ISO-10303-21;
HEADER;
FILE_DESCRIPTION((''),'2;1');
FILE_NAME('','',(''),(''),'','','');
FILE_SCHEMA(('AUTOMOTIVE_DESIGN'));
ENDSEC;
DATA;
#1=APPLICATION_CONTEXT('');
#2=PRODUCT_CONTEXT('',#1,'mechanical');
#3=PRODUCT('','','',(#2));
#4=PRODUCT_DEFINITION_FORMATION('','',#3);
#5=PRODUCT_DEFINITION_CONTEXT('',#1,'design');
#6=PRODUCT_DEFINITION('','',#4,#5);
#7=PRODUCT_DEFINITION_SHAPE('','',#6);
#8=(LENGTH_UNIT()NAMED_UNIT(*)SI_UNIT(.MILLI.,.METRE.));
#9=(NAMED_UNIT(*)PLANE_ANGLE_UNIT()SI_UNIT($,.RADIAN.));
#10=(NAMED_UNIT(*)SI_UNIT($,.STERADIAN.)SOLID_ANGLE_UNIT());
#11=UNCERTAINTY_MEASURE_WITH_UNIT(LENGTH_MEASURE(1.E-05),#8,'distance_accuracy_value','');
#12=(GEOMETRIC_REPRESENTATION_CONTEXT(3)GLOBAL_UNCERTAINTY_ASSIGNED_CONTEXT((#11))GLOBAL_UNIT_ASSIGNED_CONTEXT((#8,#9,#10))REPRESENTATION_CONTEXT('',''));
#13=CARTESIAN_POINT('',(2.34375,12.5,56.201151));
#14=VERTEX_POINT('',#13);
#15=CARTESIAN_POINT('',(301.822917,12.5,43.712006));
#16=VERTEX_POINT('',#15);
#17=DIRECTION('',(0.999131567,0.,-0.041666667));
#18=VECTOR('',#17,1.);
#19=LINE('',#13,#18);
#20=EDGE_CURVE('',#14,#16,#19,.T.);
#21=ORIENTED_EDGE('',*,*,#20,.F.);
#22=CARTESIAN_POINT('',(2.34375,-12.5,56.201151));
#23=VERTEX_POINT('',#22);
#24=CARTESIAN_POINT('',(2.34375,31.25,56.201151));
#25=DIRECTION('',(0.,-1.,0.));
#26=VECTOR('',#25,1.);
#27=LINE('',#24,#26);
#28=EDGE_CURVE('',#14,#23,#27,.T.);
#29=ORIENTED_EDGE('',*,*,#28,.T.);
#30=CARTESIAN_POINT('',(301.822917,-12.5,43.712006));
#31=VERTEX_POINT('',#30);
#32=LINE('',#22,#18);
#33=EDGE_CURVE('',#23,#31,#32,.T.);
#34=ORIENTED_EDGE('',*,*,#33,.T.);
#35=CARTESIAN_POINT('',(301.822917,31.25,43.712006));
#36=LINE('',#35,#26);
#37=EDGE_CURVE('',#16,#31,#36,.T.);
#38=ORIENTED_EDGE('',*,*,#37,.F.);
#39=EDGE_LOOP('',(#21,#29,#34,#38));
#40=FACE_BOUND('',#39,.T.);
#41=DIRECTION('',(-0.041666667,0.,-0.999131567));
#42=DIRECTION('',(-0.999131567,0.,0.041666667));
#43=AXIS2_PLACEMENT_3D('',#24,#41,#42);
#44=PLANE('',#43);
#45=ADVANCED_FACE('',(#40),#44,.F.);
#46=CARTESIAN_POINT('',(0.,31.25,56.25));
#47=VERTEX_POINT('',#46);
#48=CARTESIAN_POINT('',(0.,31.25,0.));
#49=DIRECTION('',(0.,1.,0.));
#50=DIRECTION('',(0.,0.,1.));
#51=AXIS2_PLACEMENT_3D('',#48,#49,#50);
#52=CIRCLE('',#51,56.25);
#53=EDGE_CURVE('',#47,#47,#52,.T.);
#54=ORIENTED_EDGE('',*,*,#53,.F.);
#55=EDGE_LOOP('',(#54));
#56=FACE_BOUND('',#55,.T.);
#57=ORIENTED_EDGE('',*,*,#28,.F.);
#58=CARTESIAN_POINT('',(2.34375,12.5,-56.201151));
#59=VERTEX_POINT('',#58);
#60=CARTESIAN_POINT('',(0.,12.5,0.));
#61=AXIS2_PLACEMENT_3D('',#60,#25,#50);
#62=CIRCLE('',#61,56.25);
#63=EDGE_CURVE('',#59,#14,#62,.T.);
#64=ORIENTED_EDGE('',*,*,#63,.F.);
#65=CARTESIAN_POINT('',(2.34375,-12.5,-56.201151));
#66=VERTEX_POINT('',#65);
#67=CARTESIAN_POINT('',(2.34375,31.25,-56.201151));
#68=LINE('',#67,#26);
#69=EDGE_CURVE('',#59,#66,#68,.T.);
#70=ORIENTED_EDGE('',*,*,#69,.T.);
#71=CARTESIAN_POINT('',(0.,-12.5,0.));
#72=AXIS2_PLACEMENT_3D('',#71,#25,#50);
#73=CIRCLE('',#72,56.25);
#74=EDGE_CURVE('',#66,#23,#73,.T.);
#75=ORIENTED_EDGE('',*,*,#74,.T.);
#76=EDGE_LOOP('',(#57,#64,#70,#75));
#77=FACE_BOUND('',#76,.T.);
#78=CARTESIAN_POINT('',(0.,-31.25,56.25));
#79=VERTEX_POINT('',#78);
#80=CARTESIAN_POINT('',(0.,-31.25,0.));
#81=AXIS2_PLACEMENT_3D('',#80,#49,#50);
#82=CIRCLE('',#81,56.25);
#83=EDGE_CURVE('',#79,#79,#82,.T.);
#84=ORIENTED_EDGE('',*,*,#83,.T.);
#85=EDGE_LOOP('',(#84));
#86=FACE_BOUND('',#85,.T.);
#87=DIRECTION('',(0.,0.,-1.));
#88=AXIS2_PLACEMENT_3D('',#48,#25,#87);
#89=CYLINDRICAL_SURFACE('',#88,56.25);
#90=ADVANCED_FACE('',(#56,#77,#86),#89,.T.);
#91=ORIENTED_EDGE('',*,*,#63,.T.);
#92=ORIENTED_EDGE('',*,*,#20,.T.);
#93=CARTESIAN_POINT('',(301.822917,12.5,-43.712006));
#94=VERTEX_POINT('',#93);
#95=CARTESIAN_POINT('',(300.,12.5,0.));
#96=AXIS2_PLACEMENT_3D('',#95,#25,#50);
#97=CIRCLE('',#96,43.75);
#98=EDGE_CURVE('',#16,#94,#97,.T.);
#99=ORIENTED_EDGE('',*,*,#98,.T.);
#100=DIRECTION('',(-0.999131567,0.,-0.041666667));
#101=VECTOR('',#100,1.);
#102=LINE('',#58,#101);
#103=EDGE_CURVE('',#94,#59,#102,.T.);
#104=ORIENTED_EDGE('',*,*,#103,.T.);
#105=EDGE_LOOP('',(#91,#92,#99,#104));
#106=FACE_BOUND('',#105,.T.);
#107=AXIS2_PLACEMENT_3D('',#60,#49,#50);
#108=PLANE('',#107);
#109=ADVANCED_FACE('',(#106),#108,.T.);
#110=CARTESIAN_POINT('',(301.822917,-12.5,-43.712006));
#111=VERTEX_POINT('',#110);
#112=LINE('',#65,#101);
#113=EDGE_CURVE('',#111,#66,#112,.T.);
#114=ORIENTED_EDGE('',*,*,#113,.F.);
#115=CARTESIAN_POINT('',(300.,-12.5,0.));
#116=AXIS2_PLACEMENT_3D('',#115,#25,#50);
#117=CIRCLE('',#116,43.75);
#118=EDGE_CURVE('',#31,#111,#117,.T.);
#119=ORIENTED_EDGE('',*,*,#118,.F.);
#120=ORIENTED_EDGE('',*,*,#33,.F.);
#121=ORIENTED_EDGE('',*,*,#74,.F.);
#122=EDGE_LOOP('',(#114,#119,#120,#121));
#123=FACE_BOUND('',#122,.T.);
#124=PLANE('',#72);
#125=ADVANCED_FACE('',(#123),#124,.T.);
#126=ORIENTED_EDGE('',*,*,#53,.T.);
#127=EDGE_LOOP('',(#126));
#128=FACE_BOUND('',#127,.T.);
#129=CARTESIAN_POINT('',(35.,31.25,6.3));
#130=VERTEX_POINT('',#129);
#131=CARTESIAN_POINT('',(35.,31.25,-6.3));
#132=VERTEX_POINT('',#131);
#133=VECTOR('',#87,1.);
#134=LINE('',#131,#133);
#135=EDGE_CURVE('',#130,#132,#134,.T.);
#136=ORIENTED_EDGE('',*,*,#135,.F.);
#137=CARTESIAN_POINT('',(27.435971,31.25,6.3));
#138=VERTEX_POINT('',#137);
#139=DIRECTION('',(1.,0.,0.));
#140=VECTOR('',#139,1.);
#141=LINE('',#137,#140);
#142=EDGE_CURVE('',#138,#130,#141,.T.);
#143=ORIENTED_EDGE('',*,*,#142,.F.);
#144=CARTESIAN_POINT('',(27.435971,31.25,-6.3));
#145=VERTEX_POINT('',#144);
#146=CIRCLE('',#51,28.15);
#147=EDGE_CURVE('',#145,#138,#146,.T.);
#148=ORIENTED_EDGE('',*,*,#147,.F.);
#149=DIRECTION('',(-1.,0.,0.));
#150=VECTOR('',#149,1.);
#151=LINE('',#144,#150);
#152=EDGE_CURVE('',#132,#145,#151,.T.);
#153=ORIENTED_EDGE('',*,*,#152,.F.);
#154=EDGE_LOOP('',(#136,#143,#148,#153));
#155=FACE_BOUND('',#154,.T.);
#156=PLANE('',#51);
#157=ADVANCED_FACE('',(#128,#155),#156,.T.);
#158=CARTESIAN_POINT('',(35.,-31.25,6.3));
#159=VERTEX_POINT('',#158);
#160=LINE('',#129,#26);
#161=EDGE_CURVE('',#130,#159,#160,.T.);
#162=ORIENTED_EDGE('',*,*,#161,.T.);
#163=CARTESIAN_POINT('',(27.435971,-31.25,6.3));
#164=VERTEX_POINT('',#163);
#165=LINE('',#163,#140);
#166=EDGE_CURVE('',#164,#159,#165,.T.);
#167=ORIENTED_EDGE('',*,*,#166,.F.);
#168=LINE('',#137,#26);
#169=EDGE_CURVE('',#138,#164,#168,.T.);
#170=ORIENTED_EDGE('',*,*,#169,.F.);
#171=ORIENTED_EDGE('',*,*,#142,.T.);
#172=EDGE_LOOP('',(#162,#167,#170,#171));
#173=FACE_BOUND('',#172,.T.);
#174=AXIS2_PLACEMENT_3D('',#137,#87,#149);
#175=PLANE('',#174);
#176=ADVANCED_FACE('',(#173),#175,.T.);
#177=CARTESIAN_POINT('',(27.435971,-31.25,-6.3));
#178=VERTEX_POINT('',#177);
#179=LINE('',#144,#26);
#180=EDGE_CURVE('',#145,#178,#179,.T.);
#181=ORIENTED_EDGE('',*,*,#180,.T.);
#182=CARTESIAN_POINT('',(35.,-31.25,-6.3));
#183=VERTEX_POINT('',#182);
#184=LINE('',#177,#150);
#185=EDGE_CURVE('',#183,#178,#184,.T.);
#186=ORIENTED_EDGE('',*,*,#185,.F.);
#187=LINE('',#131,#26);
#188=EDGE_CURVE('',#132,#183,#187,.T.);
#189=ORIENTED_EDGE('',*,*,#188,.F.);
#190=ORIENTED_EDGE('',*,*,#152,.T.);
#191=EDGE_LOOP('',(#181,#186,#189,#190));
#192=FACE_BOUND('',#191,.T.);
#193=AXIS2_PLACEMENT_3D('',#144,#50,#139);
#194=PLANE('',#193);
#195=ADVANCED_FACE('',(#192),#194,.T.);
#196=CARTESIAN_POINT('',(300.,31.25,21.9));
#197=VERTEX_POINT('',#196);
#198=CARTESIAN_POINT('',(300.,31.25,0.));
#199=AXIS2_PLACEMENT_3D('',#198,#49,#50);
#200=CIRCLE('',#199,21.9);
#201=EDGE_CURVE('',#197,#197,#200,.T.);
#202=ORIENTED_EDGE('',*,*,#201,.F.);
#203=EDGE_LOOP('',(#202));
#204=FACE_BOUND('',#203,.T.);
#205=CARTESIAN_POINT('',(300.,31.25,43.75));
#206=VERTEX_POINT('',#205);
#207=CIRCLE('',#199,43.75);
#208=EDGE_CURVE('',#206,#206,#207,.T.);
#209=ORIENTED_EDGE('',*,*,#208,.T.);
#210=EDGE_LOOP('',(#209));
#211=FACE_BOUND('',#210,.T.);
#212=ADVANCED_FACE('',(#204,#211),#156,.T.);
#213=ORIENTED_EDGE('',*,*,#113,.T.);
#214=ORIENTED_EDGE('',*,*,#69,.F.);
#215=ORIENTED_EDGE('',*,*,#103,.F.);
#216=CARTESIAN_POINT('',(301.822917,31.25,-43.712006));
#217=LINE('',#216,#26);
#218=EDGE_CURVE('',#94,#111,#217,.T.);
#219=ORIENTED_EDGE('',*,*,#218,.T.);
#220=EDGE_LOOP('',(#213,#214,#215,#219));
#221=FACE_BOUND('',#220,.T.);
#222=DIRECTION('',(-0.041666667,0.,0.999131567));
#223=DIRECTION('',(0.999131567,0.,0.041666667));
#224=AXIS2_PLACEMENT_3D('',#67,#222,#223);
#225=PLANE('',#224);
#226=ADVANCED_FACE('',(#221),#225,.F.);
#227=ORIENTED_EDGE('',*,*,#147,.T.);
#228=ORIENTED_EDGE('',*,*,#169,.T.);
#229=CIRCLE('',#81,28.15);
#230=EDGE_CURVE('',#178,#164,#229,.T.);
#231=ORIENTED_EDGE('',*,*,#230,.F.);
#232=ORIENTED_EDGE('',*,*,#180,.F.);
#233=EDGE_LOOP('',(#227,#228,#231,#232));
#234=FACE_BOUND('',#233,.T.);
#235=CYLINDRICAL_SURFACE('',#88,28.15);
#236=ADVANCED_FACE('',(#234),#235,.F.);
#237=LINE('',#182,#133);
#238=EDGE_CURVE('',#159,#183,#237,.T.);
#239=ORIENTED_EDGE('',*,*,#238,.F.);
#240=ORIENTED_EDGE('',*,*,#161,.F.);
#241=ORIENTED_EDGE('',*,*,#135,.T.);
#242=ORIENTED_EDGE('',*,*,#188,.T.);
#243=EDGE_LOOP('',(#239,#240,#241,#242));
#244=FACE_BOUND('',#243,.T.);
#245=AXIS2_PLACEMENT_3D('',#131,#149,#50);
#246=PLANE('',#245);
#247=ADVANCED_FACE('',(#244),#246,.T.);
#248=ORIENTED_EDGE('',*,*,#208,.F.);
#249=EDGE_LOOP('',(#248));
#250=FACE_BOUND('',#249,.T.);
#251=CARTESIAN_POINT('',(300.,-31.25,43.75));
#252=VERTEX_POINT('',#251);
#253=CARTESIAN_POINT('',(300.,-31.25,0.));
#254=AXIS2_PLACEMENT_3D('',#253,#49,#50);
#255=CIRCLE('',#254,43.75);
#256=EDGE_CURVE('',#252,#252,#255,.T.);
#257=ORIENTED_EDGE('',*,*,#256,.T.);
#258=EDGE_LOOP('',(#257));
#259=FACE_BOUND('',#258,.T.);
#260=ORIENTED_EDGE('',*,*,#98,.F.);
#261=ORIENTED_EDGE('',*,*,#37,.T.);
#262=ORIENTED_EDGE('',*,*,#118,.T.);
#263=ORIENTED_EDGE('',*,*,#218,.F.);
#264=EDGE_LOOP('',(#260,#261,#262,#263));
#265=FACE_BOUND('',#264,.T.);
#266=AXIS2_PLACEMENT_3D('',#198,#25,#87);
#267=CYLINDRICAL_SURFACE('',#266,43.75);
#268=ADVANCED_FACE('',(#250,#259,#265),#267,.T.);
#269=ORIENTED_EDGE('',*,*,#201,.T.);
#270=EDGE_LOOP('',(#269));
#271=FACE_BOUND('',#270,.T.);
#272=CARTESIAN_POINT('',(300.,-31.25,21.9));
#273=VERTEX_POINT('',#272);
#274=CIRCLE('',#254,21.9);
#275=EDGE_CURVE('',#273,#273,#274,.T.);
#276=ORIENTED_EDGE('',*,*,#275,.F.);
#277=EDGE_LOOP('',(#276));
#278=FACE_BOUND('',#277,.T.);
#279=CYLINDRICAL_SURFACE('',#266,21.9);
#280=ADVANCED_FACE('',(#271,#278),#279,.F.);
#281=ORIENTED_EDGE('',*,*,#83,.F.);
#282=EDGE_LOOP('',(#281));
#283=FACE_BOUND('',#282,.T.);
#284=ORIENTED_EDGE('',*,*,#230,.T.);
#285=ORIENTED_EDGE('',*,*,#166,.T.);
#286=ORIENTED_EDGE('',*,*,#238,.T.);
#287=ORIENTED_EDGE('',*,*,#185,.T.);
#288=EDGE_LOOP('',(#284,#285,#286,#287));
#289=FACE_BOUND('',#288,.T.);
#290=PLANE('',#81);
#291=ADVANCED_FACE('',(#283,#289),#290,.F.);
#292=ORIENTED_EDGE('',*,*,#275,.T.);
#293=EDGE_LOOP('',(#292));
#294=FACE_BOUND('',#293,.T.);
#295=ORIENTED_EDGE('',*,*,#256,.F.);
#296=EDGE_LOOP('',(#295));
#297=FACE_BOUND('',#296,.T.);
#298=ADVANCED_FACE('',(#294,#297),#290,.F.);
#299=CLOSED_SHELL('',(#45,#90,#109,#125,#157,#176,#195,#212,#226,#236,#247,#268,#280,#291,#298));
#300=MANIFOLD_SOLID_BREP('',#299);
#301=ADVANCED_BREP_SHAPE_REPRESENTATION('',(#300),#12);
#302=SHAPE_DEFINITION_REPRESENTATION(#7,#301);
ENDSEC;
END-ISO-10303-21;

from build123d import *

# Parameters (mm, degrees)
SKETCH1_R           = 21.9
BOSS_EXTRUDE1_DEPTH = 31.25
CUT_EXTRUDE1_DEPTH  = 18.75


with BuildPart() as part:
    # Sketch1 → Boss-Extrude1 (new body, symmetric)
    with BuildSketch(Plane(origin=(0, 0, 0), x_dir=(1, 0, 0), z_dir=(0, 1, 0))):
        with BuildLine():
            Line((2.34375, 56.201150664), (301.822916667, 43.712006072))
            ThreePointArc((301.822916667, 43.712006072), (343.75, 0), (301.822916667, -43.712006072))
            Line((301.822916667, -43.712006072), (2.34375, -56.201150664))
            ThreePointArc((2.34375, -56.201150664), (-56.25, 0), (2.34375, 56.201150664))
        make_face()
        with Locations((300, 0)):
            Circle(SKETCH1_R, mode=Mode.SUBTRACT)
        with BuildLine():
            Line((27.435970914, 6.3), (35, 6.3))
            Line((35, 6.3), (35, -6.3))
            Line((35, -6.3), (27.435970914, -6.3))
            ThreePointArc((27.435970914, -6.3), (-28.15, 0), (27.435970914, 6.3))
        make_face(mode=Mode.SUBTRACT)
    extrude(amount=BOSS_EXTRUDE1_DEPTH, both=True)

    # Sketch2 → Cut-Extrude1 (cut)
    with BuildSketch(Plane(origin=(0, 31.25, 0), x_dir=(1, 0, 0), z_dir=(0, 1, 0))):
        with BuildLine():
            Line((2.34375, 56.201150664), (301.822916667, 43.712006072))
            ThreePointArc((301.822916667, 43.712006072), (256.25, 0), (301.822916667, -43.712006072))
            Line((301.822916667, -43.712006072), (2.34375, -56.201150664))
            ThreePointArc((2.34375, -56.201150664), (56.25, 0), (2.34375, 56.201150664))
        make_face()
    cut_extrude1 = extrude(amount=-CUT_EXTRUDE1_DEPTH, mode=Mode.SUBTRACT)

    # Mirror1: Cut-Extrude1 across plane
    add(cut_extrude1.mirror(Plane.ZX), mode=Mode.SUBTRACT)


solid = part.part
